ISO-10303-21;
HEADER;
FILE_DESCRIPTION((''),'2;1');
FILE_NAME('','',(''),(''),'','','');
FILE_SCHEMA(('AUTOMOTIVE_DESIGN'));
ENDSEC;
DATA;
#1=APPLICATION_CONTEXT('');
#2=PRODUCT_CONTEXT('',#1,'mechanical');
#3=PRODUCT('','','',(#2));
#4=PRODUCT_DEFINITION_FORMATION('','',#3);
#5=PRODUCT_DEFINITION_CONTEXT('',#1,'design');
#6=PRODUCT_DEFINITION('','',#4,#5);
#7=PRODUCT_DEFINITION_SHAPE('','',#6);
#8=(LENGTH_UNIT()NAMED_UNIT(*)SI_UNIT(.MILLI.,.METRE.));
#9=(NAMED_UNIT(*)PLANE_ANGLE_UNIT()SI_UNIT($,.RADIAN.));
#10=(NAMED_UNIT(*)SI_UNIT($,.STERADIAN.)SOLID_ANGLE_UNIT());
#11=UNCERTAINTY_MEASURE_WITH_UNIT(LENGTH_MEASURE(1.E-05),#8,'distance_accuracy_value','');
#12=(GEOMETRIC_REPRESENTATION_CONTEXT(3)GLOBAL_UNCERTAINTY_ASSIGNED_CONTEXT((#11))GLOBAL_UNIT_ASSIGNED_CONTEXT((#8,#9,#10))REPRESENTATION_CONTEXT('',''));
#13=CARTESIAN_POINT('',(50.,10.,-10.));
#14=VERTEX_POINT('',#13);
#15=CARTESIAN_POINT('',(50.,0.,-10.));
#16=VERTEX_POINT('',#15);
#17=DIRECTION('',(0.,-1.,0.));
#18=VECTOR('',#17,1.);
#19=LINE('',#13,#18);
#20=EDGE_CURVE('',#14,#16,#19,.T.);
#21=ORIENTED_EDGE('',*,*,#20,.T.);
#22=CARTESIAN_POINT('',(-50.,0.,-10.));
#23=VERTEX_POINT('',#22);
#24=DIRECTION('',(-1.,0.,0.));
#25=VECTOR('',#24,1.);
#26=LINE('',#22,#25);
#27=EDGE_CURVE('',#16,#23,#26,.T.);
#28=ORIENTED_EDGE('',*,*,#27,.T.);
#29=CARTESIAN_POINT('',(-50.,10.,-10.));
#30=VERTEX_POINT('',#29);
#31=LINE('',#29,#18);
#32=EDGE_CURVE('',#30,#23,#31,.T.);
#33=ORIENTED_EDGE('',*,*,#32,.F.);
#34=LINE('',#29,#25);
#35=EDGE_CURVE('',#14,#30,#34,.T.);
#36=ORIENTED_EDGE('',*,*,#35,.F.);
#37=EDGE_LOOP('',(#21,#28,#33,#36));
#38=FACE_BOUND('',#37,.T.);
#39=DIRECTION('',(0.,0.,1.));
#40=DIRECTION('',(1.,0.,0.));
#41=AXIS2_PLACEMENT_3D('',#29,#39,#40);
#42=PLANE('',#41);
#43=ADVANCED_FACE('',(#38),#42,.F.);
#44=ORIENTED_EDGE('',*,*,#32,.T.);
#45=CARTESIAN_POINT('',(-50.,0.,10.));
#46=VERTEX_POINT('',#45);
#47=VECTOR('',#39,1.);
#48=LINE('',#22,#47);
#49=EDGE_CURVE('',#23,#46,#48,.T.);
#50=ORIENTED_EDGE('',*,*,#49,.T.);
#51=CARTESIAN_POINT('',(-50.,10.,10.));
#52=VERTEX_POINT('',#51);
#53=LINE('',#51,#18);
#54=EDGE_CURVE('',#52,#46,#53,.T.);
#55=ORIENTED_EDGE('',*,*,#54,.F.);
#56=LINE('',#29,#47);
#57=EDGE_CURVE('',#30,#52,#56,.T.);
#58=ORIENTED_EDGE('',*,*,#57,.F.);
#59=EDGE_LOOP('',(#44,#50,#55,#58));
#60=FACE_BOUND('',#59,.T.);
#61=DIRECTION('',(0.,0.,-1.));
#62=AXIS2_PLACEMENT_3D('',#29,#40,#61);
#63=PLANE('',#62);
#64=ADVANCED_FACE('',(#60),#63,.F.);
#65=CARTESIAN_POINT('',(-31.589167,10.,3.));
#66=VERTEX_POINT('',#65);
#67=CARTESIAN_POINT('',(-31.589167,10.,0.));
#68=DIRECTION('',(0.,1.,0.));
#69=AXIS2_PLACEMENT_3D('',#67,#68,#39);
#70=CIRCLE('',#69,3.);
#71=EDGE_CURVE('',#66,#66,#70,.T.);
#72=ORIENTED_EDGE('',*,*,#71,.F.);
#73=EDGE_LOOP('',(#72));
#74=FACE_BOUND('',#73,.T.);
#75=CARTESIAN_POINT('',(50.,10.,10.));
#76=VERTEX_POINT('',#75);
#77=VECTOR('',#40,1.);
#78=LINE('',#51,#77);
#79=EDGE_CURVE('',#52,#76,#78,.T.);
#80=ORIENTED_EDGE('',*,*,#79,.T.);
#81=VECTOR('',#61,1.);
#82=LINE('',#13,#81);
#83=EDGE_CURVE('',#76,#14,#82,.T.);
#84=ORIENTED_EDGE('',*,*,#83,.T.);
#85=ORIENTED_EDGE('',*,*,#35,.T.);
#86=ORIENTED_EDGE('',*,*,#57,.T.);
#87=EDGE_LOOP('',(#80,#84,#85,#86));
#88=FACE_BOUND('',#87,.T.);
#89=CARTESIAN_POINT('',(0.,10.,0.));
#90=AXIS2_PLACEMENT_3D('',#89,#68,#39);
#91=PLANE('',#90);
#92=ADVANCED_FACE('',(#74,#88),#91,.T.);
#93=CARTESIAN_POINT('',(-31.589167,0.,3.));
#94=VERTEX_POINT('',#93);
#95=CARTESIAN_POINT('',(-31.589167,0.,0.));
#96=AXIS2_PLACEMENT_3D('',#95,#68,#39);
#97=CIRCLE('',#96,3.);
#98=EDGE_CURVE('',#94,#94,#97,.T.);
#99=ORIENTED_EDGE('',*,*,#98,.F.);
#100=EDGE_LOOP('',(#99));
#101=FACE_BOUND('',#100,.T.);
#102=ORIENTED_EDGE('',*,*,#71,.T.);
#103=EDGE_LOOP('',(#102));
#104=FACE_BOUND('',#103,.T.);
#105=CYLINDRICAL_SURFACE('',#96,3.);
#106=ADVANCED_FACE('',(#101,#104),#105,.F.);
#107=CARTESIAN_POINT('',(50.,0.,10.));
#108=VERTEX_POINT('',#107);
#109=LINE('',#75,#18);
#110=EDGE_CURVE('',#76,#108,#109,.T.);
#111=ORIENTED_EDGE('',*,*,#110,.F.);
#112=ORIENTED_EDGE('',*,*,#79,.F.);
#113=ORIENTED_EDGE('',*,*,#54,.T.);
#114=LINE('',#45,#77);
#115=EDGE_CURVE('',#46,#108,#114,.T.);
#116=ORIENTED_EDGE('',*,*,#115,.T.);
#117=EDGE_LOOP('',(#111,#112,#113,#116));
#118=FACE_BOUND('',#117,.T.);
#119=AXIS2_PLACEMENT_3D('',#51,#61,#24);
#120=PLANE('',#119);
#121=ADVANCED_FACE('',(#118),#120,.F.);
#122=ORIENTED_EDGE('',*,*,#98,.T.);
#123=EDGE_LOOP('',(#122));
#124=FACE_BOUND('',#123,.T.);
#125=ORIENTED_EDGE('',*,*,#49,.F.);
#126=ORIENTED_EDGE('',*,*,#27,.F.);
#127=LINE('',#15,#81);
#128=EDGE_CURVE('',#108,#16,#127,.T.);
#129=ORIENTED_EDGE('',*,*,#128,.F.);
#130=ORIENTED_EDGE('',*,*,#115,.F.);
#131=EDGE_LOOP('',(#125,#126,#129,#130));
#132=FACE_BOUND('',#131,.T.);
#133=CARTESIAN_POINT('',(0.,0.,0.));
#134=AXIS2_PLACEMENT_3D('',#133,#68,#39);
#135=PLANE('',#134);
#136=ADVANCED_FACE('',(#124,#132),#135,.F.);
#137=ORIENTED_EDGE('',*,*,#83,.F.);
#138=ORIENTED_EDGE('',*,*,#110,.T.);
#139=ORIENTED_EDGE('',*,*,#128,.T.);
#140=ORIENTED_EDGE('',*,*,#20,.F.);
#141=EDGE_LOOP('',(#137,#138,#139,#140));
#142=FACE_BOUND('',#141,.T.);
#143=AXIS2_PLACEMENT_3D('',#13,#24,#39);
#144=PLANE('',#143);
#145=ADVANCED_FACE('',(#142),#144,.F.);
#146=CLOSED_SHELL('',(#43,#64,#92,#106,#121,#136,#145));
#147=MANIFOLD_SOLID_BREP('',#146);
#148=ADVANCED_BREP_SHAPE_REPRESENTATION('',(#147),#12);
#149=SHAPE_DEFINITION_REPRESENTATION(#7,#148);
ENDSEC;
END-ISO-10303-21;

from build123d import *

# Parameters (mm, degrees)
IZIM1_W                     = 100
IZIM1_H                     = 20
Y_KSEKLIK_EKSTR_ZYON1_DEPTH = 10
IZIM2_R                     = 3
KES_EKSTR_ZYON1_DEPTH       = 52.961524227


with BuildPart() as part:
    # Çizim1 → Yükseklik-Ekstrüzyon1 (new body)
    with BuildSketch(Plane(origin=(0, 0, 0), x_dir=(1, 0, 0), z_dir=(0, 1, 0))):
        Rectangle(IZIM1_W, IZIM1_H)
    extrude(amount=Y_KSEKLIK_EKSTR_ZYON1_DEPTH)

    # Çizim2 → Kes-Ekstrüzyon1 (cut, through all)
    with BuildSketch(Plane(origin=(0, 10, 0), x_dir=(1, 0, 0), z_dir=(0, 1, 0))):
        with Locations(Location((-31.589166648, 0, 0), (0, 0, 270))):
            Circle(IZIM2_R)
    extrude(amount=-KES_EKSTR_ZYON1_DEPTH, mode=Mode.SUBTRACT)


solid = part.part
